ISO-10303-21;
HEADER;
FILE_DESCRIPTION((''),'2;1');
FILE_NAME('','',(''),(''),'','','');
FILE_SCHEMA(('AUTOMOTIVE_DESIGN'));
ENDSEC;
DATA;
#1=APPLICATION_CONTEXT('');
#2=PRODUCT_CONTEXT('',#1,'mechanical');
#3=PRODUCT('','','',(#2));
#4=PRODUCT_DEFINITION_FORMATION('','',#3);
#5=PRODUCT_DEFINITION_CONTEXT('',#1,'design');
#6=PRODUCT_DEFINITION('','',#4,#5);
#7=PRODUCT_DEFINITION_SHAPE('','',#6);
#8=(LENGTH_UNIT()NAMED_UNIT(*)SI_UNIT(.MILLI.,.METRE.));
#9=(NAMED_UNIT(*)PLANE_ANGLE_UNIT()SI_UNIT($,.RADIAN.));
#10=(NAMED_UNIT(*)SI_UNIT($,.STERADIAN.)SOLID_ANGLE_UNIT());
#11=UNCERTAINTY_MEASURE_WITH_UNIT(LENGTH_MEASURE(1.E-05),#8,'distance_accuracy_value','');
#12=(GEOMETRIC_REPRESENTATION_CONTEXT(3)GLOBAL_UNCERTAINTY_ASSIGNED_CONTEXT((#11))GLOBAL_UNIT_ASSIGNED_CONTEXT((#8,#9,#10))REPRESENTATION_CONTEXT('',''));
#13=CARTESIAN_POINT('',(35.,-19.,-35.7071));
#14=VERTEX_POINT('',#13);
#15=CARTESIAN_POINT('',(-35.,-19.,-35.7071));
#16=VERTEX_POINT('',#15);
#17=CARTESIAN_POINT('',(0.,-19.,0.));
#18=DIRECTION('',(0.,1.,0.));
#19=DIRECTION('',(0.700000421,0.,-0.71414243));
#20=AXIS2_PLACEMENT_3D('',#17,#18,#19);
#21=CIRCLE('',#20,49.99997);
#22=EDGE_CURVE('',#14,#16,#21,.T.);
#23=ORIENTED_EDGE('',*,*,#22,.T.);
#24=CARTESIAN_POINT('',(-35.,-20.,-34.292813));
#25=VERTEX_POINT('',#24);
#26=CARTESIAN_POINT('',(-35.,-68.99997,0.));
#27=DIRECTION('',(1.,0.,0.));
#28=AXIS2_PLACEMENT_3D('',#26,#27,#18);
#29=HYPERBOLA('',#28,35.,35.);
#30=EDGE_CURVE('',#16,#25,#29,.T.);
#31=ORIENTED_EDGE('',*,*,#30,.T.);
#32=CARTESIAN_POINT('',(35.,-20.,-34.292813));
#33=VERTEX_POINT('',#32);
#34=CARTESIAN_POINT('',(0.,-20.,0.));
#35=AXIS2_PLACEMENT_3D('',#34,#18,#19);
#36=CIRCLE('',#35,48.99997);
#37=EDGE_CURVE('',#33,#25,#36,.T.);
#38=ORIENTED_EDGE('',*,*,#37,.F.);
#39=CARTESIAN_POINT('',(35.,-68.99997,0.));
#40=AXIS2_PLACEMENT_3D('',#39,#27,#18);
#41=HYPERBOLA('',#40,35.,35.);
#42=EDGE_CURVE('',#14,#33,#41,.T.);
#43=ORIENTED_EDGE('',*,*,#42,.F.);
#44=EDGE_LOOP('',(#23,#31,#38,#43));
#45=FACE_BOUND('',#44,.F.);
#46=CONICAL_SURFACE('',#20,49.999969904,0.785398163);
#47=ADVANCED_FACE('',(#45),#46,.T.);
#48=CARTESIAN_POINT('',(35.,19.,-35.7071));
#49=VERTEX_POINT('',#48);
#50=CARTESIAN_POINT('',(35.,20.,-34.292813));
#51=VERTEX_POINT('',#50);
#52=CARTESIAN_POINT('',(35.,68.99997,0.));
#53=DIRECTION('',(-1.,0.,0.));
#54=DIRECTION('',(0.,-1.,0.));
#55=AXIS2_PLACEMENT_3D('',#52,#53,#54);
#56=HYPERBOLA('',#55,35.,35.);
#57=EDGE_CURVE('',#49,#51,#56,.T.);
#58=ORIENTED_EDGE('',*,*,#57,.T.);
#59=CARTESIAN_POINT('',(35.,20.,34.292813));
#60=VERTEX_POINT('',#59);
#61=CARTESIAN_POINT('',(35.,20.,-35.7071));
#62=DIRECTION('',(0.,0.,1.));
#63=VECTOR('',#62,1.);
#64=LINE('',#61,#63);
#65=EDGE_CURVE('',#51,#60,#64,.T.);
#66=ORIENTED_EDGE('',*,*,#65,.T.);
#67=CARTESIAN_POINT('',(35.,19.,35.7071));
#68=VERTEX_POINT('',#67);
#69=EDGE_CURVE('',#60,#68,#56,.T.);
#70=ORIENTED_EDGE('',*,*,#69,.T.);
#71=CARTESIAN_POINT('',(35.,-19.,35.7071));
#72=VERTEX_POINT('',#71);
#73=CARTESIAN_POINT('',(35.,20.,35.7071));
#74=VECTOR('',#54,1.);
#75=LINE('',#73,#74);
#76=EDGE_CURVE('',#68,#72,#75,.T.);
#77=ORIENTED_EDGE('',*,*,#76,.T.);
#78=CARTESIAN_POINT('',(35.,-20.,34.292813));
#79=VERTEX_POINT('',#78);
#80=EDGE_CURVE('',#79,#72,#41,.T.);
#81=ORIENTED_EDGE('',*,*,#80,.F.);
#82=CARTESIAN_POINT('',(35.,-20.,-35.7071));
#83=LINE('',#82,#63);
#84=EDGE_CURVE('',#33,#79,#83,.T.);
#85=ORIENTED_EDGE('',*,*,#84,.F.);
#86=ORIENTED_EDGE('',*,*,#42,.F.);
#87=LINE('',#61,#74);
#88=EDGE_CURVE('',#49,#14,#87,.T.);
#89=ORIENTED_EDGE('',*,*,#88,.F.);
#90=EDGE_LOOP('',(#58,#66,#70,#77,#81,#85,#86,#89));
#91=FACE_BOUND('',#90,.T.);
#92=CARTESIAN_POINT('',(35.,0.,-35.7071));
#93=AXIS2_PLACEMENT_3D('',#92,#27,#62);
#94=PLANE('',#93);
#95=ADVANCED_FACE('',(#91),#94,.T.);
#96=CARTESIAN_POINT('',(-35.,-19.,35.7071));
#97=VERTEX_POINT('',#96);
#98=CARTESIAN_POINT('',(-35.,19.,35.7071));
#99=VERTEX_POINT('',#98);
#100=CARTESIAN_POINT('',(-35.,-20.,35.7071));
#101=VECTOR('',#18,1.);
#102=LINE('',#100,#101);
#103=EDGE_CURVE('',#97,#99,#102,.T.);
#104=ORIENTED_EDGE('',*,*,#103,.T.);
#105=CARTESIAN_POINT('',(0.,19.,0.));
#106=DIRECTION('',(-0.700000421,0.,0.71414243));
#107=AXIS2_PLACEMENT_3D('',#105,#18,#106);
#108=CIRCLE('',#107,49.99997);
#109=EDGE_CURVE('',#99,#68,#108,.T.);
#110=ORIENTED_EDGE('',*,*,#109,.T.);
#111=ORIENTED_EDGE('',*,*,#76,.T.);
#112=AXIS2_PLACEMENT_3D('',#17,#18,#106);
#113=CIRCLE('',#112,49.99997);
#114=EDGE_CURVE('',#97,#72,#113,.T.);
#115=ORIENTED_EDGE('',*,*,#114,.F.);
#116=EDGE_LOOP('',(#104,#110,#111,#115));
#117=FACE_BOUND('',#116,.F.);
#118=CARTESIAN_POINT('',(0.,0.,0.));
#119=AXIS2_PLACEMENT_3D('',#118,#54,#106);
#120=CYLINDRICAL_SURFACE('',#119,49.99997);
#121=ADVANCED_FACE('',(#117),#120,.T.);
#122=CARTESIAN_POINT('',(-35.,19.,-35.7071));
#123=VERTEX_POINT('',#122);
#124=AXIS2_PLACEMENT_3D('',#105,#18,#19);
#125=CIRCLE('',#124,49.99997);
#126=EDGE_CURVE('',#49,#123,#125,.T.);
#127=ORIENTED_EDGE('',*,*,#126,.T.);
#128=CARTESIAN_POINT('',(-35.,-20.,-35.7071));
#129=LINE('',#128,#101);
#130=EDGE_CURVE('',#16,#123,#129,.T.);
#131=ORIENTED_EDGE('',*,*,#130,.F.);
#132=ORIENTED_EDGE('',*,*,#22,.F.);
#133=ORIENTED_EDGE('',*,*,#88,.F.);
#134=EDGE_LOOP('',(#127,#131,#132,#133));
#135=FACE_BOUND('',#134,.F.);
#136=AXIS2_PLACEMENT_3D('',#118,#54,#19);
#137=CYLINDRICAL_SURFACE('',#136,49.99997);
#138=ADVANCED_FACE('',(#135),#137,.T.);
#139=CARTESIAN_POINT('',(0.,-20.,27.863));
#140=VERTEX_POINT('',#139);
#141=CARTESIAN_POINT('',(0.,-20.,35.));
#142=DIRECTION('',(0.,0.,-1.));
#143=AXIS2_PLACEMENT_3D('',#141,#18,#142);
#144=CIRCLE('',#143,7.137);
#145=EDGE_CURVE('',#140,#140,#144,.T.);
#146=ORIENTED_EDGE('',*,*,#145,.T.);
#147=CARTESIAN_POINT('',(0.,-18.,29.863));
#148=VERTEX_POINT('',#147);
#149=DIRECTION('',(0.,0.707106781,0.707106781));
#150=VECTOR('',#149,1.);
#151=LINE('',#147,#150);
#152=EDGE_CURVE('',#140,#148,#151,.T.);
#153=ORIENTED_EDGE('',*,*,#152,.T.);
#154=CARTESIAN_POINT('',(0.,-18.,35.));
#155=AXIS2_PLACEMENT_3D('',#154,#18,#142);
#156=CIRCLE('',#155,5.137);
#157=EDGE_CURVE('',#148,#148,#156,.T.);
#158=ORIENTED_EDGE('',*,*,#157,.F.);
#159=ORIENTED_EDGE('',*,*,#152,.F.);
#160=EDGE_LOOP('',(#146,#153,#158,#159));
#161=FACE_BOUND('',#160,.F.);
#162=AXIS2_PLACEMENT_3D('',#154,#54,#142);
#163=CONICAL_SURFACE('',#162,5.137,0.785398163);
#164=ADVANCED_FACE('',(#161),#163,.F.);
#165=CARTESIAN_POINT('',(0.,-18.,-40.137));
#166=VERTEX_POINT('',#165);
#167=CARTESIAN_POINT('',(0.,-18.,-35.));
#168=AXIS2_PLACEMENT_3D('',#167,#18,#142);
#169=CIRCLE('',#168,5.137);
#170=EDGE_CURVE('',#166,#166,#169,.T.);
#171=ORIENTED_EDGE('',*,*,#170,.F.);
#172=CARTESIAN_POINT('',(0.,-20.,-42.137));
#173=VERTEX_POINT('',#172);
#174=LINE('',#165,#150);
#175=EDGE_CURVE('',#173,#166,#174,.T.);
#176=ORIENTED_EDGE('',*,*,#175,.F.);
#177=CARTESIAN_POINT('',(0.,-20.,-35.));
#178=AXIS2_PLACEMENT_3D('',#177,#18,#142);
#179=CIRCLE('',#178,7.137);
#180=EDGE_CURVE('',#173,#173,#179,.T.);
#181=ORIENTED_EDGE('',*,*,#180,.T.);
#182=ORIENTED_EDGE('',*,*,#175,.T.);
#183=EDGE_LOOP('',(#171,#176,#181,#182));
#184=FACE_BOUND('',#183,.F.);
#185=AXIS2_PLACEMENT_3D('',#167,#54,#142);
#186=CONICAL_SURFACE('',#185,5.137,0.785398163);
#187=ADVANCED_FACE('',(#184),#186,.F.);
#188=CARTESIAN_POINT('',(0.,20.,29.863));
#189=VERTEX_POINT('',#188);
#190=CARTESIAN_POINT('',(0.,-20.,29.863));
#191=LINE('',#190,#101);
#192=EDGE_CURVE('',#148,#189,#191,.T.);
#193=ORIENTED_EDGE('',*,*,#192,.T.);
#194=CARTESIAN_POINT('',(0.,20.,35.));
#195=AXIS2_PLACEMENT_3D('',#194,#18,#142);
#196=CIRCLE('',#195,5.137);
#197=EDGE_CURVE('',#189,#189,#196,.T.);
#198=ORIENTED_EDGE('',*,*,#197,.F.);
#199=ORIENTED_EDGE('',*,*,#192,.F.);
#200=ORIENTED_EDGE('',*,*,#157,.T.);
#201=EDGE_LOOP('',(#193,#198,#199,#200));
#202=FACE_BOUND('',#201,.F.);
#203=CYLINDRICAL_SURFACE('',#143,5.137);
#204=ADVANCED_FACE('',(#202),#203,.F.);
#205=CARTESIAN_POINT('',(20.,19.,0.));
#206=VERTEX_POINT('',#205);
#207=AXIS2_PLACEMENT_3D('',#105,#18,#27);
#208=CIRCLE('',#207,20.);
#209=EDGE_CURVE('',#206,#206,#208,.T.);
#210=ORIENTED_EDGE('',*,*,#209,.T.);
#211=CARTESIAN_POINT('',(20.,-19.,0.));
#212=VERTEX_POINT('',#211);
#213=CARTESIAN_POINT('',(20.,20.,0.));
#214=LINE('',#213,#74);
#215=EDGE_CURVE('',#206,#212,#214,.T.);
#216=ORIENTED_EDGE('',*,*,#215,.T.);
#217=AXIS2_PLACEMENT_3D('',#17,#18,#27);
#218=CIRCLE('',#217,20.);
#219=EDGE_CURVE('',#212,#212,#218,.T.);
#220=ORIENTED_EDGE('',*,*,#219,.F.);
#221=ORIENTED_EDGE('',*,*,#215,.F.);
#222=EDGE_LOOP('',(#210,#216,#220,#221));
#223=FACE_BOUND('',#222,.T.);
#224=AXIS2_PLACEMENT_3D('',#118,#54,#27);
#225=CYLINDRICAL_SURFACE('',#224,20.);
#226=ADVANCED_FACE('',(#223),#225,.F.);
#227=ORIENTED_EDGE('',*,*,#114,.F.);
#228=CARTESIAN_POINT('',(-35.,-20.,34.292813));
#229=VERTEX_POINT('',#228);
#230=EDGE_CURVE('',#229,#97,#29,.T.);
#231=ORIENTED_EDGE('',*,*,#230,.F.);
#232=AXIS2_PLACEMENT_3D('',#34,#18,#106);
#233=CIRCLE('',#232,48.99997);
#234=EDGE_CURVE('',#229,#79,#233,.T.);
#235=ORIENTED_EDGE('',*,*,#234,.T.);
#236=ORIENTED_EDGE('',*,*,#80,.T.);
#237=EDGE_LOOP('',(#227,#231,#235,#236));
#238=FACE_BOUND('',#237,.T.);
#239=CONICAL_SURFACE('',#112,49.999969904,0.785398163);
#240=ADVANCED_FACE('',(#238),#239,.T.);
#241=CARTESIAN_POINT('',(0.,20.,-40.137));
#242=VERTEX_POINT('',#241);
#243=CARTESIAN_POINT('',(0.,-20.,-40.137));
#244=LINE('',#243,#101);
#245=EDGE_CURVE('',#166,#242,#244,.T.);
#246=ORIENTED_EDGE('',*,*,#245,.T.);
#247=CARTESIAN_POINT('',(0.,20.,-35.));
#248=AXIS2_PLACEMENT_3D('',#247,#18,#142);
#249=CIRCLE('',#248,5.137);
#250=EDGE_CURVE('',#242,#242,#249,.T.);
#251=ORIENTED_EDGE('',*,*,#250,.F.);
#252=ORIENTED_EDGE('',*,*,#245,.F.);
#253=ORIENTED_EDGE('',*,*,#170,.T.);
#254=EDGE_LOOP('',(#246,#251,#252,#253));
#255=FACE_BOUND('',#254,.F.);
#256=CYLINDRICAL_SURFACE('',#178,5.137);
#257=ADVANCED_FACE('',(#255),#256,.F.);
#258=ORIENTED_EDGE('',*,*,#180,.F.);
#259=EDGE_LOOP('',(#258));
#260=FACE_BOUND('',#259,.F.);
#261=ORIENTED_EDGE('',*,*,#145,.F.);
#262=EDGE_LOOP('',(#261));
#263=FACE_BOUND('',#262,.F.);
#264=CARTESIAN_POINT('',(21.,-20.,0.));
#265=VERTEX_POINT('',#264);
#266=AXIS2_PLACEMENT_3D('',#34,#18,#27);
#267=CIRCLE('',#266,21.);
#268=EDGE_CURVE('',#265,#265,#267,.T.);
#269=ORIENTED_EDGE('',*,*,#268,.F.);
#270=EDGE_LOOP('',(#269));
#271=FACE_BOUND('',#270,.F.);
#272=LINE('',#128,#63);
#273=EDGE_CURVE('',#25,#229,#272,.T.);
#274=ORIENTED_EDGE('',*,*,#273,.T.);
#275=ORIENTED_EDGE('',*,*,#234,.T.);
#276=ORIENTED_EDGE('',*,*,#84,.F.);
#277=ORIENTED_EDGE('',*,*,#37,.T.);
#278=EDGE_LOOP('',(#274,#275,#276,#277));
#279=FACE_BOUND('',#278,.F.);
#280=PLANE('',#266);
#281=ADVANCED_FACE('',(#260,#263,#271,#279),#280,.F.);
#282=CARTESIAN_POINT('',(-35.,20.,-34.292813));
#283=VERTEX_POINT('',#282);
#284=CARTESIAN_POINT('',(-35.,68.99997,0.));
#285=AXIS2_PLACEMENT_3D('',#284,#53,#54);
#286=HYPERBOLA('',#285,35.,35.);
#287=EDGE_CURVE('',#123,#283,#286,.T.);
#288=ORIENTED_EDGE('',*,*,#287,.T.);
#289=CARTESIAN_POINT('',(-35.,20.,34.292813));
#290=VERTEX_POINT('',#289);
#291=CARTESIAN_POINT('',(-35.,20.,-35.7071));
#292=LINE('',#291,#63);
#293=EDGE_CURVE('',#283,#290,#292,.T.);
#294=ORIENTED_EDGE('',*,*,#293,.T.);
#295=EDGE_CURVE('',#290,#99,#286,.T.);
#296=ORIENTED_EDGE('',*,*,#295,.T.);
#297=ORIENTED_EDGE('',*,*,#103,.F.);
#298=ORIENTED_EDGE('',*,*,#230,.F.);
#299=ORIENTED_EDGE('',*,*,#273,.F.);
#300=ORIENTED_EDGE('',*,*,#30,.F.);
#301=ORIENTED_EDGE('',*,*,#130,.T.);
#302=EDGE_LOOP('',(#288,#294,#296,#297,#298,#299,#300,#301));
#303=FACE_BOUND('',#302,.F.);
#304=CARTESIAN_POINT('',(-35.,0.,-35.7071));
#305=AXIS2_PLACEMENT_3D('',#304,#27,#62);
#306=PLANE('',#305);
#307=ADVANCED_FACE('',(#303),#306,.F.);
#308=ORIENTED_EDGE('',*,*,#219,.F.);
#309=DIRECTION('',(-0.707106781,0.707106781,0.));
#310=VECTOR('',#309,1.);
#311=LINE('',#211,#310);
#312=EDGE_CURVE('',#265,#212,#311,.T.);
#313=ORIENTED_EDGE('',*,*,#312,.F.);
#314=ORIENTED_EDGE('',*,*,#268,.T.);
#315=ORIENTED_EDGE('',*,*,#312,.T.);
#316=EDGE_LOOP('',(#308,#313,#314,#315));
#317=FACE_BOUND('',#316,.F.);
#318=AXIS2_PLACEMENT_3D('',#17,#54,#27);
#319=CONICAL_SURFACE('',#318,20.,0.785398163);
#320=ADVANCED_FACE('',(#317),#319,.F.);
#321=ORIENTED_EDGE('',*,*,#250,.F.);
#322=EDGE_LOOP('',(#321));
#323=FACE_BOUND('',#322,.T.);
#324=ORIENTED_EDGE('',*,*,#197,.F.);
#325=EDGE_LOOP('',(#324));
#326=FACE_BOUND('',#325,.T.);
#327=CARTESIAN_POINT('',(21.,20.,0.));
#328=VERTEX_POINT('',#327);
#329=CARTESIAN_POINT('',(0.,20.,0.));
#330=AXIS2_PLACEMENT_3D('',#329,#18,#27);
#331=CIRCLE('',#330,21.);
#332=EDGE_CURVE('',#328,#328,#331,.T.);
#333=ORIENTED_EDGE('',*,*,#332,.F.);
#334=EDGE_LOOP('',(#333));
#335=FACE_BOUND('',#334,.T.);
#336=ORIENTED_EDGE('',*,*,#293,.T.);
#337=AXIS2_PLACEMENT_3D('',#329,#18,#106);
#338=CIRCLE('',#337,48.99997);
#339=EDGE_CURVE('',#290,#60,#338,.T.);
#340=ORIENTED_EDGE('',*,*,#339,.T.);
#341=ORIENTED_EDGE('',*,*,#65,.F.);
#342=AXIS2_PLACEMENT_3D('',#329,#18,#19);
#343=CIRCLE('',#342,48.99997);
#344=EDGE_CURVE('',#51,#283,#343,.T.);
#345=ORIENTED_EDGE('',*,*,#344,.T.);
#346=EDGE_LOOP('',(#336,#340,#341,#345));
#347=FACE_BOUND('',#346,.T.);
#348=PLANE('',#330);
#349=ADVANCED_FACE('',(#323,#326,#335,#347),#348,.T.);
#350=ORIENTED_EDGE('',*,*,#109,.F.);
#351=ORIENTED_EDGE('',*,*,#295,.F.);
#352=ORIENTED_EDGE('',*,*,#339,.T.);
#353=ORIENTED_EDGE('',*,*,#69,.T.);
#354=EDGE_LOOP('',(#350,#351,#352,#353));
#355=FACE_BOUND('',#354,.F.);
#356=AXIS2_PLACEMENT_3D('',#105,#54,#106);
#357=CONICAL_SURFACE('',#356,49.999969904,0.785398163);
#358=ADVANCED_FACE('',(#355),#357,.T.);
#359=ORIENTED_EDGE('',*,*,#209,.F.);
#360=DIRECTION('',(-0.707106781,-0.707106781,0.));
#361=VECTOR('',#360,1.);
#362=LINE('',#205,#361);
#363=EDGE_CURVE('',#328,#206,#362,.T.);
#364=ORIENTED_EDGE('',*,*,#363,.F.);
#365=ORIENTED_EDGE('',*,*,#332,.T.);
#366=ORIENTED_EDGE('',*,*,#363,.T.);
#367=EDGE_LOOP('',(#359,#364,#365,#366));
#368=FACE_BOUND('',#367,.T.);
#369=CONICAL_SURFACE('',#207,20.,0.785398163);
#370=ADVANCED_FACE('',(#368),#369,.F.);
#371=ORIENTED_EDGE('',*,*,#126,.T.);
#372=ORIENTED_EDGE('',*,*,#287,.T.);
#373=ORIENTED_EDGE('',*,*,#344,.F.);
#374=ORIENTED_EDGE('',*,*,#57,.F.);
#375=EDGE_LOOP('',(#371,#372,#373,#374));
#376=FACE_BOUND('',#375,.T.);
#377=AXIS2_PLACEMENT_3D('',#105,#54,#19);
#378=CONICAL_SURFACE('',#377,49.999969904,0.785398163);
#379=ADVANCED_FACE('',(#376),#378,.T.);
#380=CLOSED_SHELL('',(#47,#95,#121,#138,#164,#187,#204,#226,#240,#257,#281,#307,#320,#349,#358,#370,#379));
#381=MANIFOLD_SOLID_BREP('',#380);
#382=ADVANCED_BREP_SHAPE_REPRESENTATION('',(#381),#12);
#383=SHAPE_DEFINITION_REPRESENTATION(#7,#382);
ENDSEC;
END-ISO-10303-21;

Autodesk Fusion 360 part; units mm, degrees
sketch "Sketch1" plane through (0, 0, 0) normal (0, 1, 0) x (1, 0, 0)
  circle A0 centre (0, 0) radius 20
  line L0 (-35, 35.7071) -> (-35, -35.7071)
  line L1 (0, 0) -> (0, 70.7339) construction
  line L2 (35, 35.7071) -> (35, -35.7071)
  arc A1 (-35, -35.7071) -> (35, -35.7071) centre (0, 0) ccw
  arc A2 (35, 35.7071) -> (-35, 35.7071) centre (0, 0) ccw
  dimension "d1" = 40
  dimension "d2" = 100
  dimension "d3" = 70
  dimension "d6" = 35
extrude "Extrude1" add sketch "Sketch1" along normal mid plane 40
sketch "Sketch2" plane through (0, 20, 0) normal (0, 1, 0) x (-1, 0, 0)
  circle A0 centre (0, 0) radius 20
  arc A1 (-35, -35.7071) -> (35, -35.7071) centre (0, 0) ccw
  line L0 (35, -35.7071) -> (35, 35.7071)
  arc A2 (35, 35.7071) -> (-35, 35.7071) centre (0, 0) ccw
  line L1 (-35, 35.7071) -> (-35, -35.7071)
  circle A3 centre (0, -35) radius 5
  line L2 (0, 0) -> (45, 0) construction
  circle A4 centre (0, 35) radius 5
  dimension "d7" = 10
  dimension "d8" = 35
extrude "Extrude2" cut sketch "Sketch2" against normal blind 80 contours A3 | A4
chamfer "Chamfer1" distance 1 angle 45 3 edges at (0, 20, -50) (0, 20, 50) (-18.6465, 20, -7.2323)
chamfer "Chamfer1" distance 1 angle 45 3 edges at (0, -20, -50) (0, -20, 50) (-18.6465, -20, 7.2323)
hole "Hole1" at (0, -20, -35) direction (0, 1, 0) diameter 10.274 end through all
hole "Hole2" at (0, -20, 35) direction (0, 1, 0) diameter 10.274 end through all
chamfer "Chamfer2" distance 2 angle 45 2 edges at (1.8575, -20, -30.2109) (1.8575, -20, 39.7891)
